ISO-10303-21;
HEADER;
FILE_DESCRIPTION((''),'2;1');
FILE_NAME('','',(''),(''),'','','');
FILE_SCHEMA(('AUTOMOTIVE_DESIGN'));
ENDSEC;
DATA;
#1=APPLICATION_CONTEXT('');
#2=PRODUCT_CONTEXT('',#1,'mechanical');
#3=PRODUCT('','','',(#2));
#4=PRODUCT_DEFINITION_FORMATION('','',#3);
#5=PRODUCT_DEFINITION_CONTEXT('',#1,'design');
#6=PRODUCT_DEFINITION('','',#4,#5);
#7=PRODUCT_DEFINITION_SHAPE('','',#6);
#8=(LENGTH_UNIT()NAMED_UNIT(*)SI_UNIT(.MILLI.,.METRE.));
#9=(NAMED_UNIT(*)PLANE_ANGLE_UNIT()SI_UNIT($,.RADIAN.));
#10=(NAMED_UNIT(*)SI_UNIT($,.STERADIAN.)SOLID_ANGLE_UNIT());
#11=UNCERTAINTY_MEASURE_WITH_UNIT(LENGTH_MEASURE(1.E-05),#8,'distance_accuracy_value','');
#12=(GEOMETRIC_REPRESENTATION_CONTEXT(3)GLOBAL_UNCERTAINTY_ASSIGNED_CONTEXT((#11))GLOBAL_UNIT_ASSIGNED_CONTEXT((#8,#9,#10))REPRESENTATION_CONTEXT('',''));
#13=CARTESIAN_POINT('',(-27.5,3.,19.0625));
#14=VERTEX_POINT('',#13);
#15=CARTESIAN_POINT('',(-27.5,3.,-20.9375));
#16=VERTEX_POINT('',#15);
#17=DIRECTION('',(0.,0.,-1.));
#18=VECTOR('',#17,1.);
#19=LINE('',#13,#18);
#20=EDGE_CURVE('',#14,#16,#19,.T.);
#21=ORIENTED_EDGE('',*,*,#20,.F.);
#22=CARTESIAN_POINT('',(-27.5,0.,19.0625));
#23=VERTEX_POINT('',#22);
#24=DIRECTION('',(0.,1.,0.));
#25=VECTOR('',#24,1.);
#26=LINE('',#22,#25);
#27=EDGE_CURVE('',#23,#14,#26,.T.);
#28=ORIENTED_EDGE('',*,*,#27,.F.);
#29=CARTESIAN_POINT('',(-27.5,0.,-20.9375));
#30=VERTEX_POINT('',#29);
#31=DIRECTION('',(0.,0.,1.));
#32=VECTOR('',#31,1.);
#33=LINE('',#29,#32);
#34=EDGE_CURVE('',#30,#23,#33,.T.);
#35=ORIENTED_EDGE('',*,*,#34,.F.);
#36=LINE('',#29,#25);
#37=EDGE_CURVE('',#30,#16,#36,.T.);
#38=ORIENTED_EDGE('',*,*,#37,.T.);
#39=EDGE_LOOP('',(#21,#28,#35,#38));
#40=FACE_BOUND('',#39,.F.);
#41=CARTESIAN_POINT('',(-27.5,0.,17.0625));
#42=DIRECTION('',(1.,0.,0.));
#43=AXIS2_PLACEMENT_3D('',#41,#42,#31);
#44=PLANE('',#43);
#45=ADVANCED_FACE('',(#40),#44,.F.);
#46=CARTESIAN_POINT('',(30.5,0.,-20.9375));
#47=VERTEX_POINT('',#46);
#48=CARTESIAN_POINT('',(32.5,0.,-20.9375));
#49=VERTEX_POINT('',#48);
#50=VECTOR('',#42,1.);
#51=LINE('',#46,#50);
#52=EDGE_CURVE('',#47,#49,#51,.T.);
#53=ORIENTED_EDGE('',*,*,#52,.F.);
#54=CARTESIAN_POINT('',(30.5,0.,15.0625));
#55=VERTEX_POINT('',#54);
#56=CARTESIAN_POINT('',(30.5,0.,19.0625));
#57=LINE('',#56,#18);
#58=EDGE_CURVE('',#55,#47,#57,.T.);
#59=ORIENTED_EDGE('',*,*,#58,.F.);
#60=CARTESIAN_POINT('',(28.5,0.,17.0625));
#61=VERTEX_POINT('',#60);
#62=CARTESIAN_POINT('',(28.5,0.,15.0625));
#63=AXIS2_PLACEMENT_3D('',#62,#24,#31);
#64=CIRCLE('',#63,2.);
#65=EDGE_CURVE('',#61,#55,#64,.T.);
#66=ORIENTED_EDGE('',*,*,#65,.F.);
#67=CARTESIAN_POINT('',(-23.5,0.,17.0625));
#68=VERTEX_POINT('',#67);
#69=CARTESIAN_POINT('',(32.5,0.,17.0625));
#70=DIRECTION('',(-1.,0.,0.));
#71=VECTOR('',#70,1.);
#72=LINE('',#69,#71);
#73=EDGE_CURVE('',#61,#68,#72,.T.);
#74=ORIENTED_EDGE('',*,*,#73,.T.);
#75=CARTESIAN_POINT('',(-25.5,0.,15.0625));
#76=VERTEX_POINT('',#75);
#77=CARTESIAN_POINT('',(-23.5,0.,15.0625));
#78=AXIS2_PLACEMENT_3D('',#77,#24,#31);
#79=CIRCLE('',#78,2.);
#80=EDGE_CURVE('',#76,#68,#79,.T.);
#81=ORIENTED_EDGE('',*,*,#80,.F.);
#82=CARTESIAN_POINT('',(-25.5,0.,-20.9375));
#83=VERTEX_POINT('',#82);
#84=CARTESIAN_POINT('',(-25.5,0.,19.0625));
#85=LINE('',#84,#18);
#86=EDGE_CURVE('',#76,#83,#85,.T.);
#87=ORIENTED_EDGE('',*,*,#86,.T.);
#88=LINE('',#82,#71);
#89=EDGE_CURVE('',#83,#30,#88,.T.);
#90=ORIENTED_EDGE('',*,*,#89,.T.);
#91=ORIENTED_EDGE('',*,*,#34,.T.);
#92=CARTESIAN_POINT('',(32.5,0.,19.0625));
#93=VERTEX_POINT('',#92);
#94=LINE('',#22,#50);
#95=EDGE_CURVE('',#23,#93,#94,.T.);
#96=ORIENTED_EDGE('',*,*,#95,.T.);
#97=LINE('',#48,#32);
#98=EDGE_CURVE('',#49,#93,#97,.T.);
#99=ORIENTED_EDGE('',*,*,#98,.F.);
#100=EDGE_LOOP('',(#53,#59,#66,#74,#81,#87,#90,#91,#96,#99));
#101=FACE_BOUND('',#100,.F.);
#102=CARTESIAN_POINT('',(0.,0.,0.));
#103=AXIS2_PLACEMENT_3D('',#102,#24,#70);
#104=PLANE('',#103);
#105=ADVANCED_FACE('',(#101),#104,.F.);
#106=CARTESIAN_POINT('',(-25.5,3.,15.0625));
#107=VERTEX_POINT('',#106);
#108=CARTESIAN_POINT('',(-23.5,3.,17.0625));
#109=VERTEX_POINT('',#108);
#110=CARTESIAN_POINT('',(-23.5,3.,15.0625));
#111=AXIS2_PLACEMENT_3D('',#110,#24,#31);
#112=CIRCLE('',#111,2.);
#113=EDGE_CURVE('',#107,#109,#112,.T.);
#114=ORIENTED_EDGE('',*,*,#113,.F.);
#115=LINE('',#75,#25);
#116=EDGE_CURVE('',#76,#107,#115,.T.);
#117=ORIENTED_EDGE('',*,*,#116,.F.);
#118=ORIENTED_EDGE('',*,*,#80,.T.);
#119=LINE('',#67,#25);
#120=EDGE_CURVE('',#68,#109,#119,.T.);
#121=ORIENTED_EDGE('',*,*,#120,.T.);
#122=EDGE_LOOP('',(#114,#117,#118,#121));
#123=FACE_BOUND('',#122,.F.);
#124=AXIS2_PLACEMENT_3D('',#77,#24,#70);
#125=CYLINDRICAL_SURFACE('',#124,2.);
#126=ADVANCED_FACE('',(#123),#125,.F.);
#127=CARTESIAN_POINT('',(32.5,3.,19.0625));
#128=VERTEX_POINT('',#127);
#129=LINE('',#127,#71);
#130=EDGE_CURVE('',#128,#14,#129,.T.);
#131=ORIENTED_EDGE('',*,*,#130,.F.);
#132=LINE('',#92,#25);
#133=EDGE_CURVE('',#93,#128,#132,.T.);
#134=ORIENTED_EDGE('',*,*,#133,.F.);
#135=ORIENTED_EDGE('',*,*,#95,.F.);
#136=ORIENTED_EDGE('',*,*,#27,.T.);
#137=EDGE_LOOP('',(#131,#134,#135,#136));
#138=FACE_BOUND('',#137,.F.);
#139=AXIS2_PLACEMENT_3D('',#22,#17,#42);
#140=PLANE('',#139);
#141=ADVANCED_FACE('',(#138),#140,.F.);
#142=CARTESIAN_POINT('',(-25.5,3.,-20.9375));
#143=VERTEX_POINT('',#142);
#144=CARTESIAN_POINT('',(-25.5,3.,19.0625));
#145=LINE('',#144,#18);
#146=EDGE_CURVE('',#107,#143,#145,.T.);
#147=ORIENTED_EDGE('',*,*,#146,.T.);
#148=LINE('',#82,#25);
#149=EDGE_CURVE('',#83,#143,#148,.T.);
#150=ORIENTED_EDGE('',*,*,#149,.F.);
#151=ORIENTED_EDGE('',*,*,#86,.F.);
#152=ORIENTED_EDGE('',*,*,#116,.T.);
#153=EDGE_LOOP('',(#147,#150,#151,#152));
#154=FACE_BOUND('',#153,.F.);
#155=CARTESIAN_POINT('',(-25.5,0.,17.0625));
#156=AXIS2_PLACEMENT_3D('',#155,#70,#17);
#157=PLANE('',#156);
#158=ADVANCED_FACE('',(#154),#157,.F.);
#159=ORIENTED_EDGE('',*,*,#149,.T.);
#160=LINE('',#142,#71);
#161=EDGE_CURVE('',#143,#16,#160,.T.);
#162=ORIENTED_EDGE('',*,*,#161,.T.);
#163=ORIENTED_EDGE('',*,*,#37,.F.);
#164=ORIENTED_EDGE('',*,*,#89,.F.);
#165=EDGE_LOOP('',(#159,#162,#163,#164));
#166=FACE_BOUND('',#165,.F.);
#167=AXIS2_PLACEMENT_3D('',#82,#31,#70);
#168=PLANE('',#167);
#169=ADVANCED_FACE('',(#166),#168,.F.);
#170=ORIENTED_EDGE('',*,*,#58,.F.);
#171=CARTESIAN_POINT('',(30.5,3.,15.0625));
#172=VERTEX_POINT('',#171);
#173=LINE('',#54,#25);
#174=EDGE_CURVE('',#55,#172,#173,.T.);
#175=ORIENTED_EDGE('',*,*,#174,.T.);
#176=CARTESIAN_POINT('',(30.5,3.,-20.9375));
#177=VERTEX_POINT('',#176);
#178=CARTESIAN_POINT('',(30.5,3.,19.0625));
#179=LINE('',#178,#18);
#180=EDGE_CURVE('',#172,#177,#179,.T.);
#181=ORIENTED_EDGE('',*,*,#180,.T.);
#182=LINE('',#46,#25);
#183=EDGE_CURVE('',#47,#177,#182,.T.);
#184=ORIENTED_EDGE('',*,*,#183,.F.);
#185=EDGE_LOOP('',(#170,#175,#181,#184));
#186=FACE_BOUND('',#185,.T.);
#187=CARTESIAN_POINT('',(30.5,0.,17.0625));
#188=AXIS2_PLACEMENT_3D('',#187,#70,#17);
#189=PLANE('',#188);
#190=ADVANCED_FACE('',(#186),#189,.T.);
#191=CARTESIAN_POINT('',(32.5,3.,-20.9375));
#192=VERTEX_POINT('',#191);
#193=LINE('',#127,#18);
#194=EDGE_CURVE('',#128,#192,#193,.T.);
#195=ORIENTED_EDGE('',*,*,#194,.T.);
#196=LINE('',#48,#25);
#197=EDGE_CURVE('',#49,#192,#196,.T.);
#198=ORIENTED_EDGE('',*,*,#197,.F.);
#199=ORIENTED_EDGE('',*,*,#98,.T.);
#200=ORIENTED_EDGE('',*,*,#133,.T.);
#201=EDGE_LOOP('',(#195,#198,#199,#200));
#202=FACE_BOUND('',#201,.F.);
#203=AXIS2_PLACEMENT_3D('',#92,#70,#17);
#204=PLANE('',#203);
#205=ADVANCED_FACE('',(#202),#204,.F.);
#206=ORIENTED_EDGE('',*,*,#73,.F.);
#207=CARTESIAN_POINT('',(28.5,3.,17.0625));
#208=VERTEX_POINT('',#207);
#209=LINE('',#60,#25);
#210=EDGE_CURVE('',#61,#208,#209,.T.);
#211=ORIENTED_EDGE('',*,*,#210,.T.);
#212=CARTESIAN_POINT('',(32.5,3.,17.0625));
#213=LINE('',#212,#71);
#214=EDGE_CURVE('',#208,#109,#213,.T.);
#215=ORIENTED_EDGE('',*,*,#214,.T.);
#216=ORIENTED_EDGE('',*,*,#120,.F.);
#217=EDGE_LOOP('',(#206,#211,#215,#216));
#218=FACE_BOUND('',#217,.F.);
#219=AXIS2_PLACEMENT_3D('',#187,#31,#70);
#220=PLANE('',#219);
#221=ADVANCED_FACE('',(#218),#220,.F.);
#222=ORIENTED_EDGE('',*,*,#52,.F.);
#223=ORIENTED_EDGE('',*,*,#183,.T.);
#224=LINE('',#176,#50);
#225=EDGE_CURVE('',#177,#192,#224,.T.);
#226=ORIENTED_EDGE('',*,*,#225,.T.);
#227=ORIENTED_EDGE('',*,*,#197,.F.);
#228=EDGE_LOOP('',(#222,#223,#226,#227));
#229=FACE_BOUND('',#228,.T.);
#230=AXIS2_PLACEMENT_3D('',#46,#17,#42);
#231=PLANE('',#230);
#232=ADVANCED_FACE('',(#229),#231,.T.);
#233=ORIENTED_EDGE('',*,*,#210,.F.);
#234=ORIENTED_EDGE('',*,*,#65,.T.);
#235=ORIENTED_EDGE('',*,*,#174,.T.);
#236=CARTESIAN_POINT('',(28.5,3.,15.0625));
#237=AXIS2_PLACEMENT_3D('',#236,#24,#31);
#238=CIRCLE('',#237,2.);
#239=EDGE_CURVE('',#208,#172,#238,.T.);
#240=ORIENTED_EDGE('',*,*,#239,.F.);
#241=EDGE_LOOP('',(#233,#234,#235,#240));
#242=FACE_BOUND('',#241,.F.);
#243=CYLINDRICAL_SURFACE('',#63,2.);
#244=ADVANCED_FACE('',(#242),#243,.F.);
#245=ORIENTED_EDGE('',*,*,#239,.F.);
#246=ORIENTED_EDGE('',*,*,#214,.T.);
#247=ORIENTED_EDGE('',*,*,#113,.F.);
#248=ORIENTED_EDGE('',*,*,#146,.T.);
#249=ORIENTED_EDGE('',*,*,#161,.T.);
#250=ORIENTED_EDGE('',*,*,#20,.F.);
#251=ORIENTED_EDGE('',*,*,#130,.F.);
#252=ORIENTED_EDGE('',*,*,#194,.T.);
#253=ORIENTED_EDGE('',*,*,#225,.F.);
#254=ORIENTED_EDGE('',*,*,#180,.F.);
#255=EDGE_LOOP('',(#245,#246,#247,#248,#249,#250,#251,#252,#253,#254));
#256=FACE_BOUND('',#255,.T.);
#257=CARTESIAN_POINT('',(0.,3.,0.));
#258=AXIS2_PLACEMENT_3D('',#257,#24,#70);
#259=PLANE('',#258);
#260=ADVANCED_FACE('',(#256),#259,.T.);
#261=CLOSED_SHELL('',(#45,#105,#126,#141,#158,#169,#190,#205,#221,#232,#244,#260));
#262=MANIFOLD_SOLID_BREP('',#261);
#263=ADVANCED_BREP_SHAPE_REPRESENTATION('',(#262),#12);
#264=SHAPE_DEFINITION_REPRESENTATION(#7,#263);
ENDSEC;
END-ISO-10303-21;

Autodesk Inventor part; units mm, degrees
ref_plane "YZ Plane" through (0, 0, 0) normal (1, 0, 0) x (0, 1, 0)
ref_plane "XZ Plane" through (0, 0, 0) normal (0, 1, 0) x (-1, 0, 0)
ref_plane "XY Plane" through (0, 0, 0) normal (0, 0, 1) x (1, 0, 0)
sketch "Sketch1" plane through (0, 0, 0) normal (0, 1, 0) x (-1, 0, 0)
  line L0 (27.5, 19.0625) -> (-32.5, 19.0625)
  line L1 (-32.5, 19.0625) -> (-32.5, 17.0625)
  line L2 (-32.5, 17.0625) -> (27.5, 17.0625)
  line L3 (27.5, 17.0625) -> (27.5, 19.0625)
  line L4 (27.5, 19.0625) -> (25.5, 19.0625)
  line L5 (25.5, 19.0625) -> (25.5, -20.9375)
  line L6 (25.5, -20.9375) -> (27.5, -20.9375)
  line L7 (27.5, -20.9375) -> (27.5, 19.0625)
  line L8 (-32.5, 19.0625) -> (-30.5, 19.0625)
  line L9 (-30.5, 19.0625) -> (-30.5, -20.9375)
  line L10 (-30.5, -20.9375) -> (-32.5, -20.9375)
  line L11 (-32.5, -20.9375) -> (-32.5, 19.0625)
  point P0 (0, 0)
  dimension "d0" = 2
  dimension "d1" = 0
  dimension "d2" = 2
  dimension "d3" = 2
  dimension "d4" = 60
  dimension "d5" = 40
  dimension "d6" = 40
extrude "Extrusion1" add sketch "Sketch1" along normal blind 3
fillet "Fillet1" radius 2 2 edges at (-25.5, 1.5, 17.0625) (30.5, 1.5, 17.0625)
properties part number "base extend"
